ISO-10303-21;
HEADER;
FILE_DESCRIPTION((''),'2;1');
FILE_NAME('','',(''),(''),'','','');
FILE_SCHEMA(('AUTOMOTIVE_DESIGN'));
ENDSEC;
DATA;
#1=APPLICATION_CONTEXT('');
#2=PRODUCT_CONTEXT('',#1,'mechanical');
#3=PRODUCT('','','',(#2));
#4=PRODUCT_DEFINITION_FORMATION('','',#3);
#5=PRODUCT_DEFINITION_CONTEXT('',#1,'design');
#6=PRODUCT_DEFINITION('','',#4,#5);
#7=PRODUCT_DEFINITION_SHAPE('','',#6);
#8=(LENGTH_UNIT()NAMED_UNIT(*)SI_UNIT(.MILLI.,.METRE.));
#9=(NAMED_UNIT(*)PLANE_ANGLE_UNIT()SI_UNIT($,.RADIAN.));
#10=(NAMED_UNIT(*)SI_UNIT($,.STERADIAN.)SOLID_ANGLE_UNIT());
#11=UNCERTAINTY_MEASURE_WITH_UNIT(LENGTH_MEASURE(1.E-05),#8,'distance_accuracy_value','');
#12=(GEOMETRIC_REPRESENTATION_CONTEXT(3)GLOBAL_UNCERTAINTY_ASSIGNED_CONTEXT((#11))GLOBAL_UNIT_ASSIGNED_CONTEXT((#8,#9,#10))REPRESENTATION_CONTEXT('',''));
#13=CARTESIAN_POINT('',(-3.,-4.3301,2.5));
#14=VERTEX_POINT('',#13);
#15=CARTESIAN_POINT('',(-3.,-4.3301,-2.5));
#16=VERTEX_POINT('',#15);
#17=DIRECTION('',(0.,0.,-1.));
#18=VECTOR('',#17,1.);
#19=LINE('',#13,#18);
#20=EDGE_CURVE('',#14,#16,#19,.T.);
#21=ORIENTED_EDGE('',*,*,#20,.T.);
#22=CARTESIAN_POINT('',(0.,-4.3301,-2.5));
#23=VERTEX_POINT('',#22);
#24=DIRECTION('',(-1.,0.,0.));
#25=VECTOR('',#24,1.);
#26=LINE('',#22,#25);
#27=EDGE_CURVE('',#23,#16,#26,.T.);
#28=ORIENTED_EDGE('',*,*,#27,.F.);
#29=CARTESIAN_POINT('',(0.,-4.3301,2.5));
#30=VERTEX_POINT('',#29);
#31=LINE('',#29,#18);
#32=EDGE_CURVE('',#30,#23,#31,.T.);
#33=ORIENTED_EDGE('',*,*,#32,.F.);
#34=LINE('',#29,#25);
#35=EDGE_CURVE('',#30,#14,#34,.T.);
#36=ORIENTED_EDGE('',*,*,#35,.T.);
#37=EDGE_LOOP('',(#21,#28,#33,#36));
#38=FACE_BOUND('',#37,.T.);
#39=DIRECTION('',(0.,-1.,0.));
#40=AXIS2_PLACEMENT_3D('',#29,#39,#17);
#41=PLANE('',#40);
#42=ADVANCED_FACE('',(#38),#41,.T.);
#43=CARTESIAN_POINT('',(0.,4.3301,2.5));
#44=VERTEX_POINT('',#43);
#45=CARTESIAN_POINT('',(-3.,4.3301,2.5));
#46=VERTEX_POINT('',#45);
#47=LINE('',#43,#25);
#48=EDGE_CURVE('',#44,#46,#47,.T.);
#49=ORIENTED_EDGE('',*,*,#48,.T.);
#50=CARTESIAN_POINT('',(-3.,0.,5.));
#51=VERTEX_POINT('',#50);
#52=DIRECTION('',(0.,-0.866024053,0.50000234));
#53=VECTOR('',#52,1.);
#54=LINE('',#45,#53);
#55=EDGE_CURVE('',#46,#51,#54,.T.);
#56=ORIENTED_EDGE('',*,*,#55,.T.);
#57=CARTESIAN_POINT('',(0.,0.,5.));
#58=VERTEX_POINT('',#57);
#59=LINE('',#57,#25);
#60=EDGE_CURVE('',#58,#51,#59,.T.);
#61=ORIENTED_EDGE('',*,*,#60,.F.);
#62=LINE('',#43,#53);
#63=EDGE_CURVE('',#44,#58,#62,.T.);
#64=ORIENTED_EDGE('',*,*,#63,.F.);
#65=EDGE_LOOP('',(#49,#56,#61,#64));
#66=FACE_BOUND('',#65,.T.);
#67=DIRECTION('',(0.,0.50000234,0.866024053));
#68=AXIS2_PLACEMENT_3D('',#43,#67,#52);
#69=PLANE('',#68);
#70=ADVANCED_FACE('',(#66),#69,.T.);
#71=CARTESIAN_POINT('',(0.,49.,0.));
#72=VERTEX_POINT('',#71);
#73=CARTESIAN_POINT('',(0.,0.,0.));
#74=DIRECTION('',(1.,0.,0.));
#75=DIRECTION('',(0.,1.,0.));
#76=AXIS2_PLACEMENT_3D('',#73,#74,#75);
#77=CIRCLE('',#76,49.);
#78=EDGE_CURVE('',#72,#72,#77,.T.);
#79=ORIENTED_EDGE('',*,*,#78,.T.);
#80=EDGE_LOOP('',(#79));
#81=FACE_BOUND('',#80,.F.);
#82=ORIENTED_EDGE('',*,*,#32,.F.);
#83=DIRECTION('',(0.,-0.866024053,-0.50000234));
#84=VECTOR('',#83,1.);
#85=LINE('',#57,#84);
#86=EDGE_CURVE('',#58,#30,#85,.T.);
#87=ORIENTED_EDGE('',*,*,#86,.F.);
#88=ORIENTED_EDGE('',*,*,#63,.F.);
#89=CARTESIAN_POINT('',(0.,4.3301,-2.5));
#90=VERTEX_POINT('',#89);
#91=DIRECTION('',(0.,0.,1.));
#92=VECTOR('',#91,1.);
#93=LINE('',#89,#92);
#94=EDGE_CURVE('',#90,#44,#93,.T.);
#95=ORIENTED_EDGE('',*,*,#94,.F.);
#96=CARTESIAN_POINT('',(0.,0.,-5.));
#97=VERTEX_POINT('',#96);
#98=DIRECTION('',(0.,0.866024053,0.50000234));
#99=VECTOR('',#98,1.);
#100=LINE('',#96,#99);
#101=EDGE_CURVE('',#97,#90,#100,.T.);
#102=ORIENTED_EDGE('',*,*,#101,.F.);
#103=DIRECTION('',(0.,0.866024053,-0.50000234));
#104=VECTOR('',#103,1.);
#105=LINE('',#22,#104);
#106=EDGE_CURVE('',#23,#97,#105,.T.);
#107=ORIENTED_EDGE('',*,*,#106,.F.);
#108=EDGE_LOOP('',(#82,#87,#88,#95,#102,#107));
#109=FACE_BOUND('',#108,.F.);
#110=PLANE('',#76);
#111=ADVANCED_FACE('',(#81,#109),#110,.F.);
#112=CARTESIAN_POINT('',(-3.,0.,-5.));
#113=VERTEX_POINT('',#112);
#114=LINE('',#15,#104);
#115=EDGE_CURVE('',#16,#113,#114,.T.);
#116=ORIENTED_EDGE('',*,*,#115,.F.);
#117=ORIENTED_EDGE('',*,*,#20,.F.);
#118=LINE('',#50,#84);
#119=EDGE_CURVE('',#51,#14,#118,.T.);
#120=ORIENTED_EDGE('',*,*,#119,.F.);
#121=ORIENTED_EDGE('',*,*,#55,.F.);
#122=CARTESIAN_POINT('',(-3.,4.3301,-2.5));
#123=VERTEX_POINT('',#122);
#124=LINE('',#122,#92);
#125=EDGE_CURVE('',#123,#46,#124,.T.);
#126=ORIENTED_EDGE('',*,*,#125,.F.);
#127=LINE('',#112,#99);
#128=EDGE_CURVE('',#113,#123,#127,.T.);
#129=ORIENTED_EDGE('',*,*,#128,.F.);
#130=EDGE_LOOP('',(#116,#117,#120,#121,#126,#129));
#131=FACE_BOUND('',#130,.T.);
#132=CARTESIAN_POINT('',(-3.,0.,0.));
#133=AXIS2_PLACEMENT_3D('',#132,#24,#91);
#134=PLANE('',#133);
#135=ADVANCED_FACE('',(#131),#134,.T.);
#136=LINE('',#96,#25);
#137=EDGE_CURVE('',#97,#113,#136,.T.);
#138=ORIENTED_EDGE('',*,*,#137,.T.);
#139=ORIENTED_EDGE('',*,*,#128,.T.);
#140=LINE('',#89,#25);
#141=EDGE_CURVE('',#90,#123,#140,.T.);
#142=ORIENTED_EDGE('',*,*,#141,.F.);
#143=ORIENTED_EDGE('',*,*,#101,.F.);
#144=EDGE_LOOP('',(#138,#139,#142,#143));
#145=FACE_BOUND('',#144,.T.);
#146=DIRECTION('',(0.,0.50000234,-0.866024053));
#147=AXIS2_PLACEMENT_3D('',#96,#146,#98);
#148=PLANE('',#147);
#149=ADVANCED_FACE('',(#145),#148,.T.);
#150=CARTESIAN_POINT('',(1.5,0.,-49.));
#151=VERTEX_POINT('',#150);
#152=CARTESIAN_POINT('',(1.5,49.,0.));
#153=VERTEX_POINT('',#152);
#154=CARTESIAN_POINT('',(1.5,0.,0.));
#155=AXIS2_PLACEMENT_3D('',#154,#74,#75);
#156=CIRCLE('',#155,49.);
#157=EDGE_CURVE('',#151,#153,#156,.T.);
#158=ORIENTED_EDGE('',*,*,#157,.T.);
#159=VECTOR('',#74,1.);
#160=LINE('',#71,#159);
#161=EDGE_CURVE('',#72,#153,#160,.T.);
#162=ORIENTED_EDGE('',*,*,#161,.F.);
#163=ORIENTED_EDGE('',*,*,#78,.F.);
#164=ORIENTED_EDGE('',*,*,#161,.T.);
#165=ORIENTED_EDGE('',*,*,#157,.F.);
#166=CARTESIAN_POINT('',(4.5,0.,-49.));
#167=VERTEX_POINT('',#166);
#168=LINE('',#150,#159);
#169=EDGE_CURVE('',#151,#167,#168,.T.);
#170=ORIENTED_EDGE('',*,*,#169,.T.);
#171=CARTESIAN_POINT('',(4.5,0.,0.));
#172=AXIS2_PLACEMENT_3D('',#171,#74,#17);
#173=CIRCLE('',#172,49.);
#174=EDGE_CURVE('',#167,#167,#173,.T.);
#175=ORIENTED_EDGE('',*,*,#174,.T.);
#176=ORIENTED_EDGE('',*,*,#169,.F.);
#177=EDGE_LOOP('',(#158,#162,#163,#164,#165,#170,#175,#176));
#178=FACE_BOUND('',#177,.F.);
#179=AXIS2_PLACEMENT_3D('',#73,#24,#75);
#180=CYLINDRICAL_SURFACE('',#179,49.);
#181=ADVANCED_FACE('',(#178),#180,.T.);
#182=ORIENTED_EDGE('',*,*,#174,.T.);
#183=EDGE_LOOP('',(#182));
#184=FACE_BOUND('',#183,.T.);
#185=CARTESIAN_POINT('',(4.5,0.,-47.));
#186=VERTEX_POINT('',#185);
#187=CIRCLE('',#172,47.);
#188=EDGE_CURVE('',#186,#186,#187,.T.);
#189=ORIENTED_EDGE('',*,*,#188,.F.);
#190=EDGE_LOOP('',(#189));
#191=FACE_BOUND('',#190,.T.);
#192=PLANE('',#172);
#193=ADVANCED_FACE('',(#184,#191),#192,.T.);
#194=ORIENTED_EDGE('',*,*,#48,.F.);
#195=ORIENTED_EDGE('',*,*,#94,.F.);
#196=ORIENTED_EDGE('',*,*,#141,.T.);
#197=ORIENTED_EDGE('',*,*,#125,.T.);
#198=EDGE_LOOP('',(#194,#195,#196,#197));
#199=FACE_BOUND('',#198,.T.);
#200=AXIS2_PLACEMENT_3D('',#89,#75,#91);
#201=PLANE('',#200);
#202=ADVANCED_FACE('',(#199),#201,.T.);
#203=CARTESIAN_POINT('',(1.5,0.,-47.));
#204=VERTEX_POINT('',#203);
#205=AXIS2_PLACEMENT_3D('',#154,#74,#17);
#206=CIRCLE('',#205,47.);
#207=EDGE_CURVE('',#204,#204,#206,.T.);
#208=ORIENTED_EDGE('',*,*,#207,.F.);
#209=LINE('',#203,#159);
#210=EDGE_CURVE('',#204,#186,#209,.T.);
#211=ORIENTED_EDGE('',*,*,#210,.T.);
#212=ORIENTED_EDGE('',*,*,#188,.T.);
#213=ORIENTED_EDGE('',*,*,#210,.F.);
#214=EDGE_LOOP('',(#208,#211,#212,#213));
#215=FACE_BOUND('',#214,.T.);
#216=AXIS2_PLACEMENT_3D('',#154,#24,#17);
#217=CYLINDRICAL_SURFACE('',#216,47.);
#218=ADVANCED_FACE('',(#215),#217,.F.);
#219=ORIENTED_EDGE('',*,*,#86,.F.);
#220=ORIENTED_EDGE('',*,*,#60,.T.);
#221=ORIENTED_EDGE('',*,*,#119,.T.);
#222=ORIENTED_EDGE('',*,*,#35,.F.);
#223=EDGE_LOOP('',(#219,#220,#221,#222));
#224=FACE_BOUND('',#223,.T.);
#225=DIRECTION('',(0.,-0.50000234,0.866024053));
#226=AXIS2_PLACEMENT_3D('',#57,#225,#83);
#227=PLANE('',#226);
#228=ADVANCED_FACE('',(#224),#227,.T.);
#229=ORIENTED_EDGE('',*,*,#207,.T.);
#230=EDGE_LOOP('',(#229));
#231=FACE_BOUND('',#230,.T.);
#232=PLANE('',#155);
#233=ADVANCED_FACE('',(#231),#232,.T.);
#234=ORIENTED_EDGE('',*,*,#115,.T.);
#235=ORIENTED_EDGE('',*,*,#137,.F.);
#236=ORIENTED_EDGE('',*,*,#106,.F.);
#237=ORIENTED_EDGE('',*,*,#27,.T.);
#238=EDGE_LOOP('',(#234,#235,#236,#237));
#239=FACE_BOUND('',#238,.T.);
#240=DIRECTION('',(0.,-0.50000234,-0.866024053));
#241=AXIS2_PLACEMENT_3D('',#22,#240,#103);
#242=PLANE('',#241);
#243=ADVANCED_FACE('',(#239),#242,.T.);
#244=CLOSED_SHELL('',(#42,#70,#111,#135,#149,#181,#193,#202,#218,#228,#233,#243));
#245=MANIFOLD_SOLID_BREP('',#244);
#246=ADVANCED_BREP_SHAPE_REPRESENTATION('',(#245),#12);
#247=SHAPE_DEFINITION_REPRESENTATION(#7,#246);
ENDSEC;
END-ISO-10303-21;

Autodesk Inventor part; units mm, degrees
ref_plane "YZ Plane" through (0, 0, 0) normal (1, 0, 0) x (0, 1, 0)
ref_plane "XZ Plane" through (0, 0, 0) normal (0, 1, 0) x (-1, 0, 0)
ref_plane "XY Plane" through (0, 0, 0) normal (0, 0, 1) x (1, 0, 0)
sketch "Esboço1" plane through (0, 0, 0) normal (1, 0, 0) x (0, 1, 0)
  circle A0 centre (0, 0) radius 49
  dimension "d0" = 98
extrude "Extrusão1" add sketch "Esboço1" along normal blind 1.5
sketch "Esboço2" plane through (1.5, 0, 0) normal (1, 0, 0) x (0, 0, -1)
  circle A0 centre (0, 0) radius 49
  circle A1 centre (0, 0) radius 47
  dimension "d3" = 2
extrude "Extrusão2" add sketch "Esboço2" along normal blind 3
sketch "Esboço3" plane through (0, 0, 0) normal (-1, 0, 0) x (0, 0, 1)
  line L0 (5, 0) -> (2.5, -4.3301)
  line L1 (2.5, -4.3301) -> (-2.5, -4.3301)
  line L2 (-2.5, -4.3301) -> (-5, 0)
  line L3 (-5, 0) -> (-2.5, 4.3301)
  line L4 (-2.5, 4.3301) -> (2.5, 4.3301)
  line L5 (2.5, 4.3301) -> (5, 0)
  point P0 (0, 0)
  point P1 (0, 0)
  dimension "d6" = 10
extrude "Extrusão3" add sketch "Esboço3" along normal blind 3
properties part number "Base"
